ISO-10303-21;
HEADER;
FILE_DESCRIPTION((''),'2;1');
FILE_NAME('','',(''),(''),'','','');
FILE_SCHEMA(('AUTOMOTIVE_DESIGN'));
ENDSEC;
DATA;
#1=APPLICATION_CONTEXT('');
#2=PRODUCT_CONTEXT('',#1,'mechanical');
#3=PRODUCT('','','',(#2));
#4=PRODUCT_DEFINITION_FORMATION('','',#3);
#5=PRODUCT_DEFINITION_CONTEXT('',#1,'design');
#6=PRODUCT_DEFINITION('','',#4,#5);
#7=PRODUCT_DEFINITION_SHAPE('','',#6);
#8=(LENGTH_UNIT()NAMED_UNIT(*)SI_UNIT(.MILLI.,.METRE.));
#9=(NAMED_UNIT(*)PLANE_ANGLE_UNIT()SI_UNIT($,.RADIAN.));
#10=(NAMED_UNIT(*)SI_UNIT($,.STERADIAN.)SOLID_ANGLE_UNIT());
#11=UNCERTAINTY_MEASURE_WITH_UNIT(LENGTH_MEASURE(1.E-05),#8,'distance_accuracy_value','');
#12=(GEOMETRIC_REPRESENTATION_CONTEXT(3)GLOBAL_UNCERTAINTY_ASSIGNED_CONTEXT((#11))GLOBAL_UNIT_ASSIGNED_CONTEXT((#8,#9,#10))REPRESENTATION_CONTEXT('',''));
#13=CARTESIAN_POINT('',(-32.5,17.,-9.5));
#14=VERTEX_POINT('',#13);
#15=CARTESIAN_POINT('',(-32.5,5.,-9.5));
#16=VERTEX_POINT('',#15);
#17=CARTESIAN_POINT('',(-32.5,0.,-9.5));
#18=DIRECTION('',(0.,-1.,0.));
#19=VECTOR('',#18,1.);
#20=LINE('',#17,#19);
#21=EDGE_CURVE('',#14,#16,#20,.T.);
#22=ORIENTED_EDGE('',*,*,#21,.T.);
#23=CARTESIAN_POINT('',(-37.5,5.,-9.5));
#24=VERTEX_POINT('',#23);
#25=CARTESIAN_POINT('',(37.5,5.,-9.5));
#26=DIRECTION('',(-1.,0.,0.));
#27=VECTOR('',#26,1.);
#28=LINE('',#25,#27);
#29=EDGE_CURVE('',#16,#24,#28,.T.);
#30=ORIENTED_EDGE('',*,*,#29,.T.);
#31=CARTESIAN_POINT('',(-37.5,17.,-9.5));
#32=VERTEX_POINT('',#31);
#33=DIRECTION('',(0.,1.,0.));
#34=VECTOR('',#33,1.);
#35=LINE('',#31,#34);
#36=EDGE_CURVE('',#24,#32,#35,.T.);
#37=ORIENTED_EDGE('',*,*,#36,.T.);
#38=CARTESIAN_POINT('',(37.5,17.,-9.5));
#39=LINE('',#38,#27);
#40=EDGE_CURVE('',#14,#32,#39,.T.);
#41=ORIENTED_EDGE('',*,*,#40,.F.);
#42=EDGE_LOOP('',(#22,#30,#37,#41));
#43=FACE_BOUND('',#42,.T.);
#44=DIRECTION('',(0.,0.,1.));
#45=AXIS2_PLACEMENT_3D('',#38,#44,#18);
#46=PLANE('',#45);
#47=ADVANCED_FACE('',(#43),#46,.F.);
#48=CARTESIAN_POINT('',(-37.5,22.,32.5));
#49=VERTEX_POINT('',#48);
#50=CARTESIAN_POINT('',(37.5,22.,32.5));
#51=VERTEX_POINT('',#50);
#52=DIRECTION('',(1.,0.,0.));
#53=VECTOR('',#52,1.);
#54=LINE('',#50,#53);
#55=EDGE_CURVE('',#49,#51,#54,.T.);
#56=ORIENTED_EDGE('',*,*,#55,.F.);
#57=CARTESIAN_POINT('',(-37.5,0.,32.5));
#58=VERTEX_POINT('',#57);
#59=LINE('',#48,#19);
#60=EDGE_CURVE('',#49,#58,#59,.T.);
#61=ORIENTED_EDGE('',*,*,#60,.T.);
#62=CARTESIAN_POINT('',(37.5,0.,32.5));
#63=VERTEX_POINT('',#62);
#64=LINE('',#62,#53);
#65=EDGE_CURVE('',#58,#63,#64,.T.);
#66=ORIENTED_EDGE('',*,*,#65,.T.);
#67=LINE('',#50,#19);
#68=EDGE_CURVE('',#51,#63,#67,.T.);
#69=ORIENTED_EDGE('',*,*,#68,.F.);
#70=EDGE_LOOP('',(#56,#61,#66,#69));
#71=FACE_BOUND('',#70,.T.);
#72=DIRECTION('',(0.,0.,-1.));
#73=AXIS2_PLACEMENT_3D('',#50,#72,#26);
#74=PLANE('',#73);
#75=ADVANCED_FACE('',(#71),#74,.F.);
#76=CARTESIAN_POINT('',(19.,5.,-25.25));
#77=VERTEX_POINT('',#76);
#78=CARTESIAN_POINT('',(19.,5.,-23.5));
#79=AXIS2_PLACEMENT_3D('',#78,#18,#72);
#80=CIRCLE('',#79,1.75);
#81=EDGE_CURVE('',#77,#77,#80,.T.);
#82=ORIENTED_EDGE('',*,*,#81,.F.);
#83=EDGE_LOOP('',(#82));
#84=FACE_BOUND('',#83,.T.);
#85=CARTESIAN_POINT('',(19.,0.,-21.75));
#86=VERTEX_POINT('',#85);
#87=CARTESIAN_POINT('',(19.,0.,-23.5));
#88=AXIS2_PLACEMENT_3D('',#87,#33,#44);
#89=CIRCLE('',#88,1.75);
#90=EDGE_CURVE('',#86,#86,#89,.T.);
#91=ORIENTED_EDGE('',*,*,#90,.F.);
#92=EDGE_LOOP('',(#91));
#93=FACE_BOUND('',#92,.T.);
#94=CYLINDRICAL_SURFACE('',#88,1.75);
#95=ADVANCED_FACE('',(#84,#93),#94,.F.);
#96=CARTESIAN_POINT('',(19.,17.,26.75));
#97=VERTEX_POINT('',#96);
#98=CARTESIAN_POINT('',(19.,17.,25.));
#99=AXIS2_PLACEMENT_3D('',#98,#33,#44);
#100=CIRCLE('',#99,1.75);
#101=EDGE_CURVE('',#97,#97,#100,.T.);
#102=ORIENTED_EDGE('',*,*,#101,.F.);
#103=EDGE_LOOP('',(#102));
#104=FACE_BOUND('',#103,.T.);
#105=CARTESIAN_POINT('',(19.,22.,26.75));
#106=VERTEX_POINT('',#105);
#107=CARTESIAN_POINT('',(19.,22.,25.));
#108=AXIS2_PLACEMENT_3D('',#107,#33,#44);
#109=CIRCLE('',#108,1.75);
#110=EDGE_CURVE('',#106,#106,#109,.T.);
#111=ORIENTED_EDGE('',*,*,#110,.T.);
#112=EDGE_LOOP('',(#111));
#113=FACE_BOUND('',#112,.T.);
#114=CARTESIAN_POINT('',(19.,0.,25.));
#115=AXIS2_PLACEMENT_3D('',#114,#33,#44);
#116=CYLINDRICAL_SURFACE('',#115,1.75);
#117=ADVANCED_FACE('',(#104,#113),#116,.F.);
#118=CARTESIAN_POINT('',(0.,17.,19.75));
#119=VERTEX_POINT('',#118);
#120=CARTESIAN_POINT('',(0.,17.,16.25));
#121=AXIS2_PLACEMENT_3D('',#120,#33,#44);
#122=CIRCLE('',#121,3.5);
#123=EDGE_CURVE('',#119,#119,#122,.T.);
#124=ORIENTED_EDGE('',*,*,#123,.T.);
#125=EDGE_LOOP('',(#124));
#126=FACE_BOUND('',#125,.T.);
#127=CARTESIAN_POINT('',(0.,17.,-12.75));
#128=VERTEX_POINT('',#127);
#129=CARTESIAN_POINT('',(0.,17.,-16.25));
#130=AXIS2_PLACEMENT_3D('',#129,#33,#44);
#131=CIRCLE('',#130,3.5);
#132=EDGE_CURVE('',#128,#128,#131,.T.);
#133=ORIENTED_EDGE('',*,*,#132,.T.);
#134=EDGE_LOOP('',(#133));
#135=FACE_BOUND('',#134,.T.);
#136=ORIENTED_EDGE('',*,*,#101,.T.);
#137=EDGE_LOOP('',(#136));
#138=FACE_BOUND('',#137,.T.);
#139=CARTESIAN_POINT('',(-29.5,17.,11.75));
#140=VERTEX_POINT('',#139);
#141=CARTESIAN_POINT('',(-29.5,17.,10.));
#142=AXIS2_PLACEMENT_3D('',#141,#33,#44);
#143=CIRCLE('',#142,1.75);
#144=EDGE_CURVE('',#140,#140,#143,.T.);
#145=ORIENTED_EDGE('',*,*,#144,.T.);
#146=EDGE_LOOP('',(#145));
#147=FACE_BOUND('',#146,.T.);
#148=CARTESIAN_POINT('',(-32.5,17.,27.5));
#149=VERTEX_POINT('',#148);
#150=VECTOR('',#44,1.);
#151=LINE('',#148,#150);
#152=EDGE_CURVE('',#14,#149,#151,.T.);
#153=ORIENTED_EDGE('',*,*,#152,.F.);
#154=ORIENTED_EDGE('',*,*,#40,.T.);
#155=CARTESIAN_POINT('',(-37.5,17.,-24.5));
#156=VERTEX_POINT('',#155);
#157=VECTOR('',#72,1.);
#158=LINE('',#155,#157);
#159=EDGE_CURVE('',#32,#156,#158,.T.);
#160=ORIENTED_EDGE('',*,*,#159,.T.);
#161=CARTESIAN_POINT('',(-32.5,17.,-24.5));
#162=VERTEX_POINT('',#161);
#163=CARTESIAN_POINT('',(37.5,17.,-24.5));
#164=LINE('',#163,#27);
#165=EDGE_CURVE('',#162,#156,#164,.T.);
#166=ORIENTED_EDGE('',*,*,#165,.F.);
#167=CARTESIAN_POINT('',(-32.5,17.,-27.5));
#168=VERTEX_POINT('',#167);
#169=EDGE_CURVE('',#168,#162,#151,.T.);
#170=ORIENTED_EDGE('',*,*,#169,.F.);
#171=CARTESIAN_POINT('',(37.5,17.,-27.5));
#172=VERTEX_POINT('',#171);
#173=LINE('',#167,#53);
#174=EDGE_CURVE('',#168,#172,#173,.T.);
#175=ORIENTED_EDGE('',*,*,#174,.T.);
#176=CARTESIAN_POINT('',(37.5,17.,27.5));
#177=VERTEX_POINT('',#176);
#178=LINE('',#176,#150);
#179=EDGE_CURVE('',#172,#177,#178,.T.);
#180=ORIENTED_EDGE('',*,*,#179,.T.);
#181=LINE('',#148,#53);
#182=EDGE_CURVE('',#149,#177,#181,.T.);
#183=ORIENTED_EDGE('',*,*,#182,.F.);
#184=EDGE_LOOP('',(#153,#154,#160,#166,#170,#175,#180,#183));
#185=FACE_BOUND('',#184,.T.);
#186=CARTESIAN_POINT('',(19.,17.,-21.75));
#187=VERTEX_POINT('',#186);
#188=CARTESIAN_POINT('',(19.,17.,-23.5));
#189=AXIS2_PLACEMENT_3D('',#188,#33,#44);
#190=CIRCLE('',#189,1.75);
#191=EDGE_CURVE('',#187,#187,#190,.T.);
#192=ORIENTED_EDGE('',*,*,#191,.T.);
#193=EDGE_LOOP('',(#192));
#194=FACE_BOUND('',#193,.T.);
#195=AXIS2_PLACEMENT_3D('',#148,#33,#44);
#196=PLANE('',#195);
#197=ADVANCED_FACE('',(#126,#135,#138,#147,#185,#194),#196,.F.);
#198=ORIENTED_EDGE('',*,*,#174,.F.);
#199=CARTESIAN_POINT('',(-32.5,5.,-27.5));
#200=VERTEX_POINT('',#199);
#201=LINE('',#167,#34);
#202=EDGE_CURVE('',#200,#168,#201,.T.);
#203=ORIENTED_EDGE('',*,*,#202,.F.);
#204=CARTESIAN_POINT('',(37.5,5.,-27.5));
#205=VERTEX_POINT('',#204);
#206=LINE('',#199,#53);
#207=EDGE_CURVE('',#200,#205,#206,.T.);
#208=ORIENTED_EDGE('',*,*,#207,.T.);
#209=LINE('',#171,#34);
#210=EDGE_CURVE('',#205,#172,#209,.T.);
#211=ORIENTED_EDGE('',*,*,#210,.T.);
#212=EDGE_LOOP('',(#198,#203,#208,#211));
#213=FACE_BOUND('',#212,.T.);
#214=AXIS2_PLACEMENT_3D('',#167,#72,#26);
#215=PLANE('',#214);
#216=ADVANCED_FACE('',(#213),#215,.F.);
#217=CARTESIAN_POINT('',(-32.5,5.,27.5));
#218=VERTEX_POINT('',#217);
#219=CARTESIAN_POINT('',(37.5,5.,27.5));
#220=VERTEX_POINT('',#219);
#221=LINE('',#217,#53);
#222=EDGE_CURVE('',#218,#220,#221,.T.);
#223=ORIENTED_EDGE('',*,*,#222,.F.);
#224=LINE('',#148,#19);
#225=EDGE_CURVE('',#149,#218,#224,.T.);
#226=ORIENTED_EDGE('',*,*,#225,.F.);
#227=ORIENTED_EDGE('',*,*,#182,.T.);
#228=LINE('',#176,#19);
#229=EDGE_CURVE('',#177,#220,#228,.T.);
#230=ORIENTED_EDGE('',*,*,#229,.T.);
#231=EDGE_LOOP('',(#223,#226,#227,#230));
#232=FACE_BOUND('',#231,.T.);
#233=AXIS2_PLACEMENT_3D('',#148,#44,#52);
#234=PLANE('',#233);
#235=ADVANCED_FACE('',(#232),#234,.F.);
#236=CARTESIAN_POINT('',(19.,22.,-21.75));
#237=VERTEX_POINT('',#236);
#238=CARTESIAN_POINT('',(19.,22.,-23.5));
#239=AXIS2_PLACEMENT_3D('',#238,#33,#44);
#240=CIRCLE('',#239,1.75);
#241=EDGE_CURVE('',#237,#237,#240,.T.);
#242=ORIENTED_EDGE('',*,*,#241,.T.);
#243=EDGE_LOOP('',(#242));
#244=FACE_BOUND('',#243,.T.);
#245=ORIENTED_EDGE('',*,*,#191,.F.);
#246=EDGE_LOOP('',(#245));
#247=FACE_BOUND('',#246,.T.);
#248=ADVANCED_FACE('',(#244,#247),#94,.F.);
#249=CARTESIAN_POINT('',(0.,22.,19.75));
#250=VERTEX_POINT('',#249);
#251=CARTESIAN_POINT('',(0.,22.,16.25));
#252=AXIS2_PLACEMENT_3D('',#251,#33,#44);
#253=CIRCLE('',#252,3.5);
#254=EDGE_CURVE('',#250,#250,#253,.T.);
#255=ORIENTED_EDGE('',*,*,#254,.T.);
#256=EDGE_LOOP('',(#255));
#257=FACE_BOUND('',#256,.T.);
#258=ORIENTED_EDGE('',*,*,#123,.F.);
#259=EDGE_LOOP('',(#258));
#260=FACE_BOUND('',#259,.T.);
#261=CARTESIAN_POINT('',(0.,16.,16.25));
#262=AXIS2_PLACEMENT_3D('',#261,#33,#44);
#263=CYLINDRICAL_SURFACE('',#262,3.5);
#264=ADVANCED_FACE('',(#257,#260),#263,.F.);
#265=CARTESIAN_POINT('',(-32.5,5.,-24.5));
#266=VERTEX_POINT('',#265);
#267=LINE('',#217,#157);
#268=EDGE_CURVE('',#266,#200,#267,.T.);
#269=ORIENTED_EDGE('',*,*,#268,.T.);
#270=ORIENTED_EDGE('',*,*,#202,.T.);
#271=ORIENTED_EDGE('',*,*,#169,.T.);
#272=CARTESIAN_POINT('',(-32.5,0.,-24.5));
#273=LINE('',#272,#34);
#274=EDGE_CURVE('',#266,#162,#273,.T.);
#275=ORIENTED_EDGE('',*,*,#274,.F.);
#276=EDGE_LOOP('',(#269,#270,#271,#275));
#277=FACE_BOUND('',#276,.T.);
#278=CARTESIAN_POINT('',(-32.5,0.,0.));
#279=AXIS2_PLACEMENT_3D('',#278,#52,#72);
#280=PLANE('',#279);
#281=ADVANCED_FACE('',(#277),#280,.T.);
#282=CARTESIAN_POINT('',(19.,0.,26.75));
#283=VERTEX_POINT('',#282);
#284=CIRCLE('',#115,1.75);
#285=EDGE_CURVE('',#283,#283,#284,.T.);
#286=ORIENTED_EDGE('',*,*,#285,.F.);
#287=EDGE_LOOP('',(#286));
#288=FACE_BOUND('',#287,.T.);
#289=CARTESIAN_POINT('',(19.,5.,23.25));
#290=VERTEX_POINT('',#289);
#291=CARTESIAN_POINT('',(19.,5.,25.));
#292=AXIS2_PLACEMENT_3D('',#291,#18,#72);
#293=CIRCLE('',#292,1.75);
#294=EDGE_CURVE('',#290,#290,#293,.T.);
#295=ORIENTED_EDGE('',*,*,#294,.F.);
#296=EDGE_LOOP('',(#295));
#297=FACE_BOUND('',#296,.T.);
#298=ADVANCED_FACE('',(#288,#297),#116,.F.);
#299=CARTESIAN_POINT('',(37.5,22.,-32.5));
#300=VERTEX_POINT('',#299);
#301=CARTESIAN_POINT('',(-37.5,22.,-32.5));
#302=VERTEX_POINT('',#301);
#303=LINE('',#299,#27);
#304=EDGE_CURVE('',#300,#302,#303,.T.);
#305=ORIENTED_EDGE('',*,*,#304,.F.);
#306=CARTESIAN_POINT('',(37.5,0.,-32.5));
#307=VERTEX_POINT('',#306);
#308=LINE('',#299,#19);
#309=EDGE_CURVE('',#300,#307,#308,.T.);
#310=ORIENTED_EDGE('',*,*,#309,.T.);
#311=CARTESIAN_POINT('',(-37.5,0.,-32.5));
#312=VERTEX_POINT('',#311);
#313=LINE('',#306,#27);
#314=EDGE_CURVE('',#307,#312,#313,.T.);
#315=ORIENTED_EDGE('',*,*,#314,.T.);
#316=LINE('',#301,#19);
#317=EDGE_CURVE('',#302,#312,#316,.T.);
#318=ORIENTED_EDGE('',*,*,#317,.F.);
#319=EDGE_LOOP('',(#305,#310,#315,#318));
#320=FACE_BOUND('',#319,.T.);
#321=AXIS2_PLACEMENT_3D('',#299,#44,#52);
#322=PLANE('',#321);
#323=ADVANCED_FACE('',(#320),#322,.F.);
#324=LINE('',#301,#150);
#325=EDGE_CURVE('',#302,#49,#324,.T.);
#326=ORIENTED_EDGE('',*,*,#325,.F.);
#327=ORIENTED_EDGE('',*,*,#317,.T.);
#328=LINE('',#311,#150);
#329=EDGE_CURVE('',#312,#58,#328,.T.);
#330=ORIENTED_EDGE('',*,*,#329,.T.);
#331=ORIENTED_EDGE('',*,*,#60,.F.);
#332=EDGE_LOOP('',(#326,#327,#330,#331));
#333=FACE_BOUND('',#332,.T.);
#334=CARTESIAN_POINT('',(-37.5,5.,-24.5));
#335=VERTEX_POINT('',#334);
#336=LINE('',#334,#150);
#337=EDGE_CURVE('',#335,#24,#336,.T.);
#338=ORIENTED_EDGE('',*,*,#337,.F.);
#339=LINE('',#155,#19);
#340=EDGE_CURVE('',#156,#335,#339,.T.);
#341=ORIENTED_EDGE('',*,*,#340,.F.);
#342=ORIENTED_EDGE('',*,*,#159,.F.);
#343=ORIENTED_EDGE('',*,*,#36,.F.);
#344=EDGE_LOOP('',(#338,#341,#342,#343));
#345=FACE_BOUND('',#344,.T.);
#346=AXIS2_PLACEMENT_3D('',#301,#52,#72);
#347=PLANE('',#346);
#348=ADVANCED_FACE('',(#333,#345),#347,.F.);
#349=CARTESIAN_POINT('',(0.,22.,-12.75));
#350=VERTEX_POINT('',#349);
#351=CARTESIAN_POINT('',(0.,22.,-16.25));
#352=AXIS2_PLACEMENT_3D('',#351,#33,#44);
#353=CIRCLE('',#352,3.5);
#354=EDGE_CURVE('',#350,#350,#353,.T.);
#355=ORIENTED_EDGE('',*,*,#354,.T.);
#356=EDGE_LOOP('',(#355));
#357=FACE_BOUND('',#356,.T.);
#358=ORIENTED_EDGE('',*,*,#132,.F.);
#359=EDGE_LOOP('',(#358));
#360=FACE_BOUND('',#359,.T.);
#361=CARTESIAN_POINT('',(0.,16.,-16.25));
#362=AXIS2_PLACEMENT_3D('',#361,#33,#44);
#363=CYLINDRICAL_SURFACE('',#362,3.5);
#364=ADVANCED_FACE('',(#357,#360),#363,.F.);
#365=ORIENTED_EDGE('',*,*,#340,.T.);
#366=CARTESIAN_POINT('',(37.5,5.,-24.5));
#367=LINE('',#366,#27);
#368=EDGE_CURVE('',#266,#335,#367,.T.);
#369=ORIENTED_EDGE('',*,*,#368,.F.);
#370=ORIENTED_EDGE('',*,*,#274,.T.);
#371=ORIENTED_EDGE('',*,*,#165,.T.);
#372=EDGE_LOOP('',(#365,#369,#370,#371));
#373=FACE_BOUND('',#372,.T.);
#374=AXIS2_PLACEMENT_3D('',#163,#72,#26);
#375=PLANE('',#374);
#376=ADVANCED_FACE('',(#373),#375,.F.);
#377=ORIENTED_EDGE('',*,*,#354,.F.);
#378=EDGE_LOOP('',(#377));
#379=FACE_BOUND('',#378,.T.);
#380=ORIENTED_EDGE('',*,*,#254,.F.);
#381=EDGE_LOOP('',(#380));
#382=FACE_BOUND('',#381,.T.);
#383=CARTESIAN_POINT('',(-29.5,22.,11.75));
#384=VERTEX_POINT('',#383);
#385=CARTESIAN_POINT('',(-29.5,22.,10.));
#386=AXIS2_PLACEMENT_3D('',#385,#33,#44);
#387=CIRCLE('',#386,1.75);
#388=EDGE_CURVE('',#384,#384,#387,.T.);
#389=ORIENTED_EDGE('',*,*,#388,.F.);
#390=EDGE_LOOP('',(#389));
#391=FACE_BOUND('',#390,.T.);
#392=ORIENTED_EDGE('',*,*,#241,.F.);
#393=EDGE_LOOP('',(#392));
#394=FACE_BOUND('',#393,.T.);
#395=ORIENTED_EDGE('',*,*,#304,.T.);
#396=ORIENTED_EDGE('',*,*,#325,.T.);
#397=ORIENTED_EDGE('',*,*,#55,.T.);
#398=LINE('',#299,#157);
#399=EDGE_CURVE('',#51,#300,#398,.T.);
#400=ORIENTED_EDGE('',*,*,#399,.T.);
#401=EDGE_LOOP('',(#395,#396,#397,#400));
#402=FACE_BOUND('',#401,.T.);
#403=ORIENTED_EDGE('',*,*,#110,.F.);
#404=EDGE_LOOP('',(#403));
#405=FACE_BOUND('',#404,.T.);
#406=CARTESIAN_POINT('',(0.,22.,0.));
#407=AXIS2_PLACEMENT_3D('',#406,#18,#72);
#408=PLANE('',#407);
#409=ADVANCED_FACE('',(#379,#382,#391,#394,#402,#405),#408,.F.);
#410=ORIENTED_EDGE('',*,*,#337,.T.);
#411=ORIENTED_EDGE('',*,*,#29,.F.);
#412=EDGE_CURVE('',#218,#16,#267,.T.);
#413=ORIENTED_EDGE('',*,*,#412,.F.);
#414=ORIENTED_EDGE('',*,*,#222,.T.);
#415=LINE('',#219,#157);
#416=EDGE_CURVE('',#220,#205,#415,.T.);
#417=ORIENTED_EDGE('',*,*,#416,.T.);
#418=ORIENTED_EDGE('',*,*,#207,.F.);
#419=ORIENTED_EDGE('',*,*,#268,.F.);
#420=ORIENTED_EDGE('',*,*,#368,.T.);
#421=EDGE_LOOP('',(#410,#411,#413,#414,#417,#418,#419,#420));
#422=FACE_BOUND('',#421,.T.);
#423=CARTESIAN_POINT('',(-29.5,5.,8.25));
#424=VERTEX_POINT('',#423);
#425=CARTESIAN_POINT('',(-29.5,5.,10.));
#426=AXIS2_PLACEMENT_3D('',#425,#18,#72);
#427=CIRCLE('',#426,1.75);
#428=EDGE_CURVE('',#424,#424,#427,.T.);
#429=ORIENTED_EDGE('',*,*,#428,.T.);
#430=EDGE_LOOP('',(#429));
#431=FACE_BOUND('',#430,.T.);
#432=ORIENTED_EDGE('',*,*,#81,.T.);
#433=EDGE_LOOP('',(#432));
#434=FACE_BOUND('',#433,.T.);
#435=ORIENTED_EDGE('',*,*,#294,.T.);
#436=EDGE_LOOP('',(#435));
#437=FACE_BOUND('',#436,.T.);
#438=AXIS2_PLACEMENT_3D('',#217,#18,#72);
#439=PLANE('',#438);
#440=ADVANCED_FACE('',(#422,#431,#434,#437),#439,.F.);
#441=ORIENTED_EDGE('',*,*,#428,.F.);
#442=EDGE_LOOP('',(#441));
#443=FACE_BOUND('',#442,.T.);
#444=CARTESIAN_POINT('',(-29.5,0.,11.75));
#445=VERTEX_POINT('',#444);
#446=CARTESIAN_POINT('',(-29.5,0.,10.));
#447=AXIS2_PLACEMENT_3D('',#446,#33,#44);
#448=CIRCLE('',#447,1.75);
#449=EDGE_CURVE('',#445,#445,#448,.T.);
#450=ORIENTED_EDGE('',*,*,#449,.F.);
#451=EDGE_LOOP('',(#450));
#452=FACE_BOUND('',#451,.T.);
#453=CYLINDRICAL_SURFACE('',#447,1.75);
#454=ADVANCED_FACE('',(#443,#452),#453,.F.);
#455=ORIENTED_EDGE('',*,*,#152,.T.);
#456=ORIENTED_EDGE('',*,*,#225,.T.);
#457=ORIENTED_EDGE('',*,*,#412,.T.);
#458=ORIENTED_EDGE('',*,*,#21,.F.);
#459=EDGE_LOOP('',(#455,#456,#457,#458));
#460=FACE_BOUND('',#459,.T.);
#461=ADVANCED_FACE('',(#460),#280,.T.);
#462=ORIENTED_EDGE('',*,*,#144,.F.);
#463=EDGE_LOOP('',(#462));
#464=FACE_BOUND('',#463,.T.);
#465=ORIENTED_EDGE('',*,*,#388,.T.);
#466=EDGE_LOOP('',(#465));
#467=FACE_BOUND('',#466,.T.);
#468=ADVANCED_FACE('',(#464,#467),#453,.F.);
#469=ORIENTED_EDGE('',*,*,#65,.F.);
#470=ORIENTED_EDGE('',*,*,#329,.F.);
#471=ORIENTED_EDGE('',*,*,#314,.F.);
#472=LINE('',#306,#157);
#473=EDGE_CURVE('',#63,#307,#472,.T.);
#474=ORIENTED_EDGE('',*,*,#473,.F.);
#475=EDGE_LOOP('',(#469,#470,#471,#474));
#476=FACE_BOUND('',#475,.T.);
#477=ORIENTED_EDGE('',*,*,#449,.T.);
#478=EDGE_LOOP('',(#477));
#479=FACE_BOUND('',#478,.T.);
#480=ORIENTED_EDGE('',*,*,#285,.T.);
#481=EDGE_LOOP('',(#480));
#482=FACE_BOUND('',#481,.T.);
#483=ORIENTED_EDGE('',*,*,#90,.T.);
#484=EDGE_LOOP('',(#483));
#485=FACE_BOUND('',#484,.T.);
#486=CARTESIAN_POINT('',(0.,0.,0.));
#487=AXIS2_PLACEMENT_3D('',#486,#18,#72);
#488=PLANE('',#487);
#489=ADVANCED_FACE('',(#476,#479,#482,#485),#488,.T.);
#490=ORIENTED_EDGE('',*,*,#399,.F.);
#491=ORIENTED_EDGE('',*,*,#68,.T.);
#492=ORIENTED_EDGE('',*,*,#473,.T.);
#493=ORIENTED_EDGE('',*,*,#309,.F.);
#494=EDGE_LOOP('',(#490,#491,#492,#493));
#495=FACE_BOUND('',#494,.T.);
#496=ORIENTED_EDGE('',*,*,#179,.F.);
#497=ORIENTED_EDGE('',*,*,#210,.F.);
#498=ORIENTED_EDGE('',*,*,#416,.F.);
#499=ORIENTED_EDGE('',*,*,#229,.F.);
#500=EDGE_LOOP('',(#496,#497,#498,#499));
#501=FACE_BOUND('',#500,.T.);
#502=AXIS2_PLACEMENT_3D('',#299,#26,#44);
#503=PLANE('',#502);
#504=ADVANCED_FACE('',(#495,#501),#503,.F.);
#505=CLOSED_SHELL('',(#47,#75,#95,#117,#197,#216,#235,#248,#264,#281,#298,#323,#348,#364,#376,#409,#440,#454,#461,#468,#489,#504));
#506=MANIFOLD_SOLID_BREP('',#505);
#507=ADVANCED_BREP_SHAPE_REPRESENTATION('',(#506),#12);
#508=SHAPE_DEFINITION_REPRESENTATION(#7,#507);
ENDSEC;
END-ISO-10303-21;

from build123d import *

# Parameters (mm, degrees)
SKETCH1_W           = 75
SKETCH1_H           = 65
BOSS_EXTRUDE1_DEPTH = 22
SKETCH2_W           = 55
SKETCH2_H           = 12
CUT_EXTRUDE1_DEPTH  = 70
SKETCH3_W           = 15
SKETCH3_H           = 12
CUT_EXTRUDE2_DEPTH  = 85.647799735
SKETCH4_R           = 1.75
CUT_EXTRUDE3_DEPTH  = 55.281672782
SKETCH7_R           = 1.75
CUT_EXTRUDE5_DEPTH  = 55.281672782
SKETCH8_R           = 1.75
CUT_EXTRUDE6_DEPTH  = 55.281672782
SKETCH9_R           = 3.5
CUT_EXTRUDE7_DEPTH  = 6
SKETCH10_R          = 3.5
CUT_EXTRUDE8_DEPTH  = 6


with BuildPart() as part:
    # Sketch1 → Boss-Extrude1 (new body)
    with BuildSketch(Plane(origin=(0, 0, 0), x_dir=(1, 0, 0), z_dir=(0, 1, 0))):
        Rectangle(SKETCH1_W, SKETCH1_H)
    extrude(amount=BOSS_EXTRUDE1_DEPTH)

    # Sketch2 → Cut-Extrude1 (cut)
    with BuildSketch(Plane(origin=(37.5, 0, 0), x_dir=(0, 0, -1), z_dir=(1, 0, 0))):
        with Locations((0, 11)):
            Rectangle(SKETCH2_W, SKETCH2_H)
    extrude(amount=-CUT_EXTRUDE1_DEPTH, mode=Mode.SUBTRACT)

    # Sketch3 → Cut-Extrude2 (cut, through all)
    with BuildSketch(Plane.ZY.offset(37.5)):
        with Locations((-17, 11)):
            Rectangle(SKETCH3_W, SKETCH3_H)
    extrude(amount=-CUT_EXTRUDE2_DEPTH, mode=Mode.SUBTRACT)

    # Sketch4 → Cut-Extrude3 (cut, through all)
    with BuildSketch(Plane(origin=(0, 22, 0), x_dir=(1, 0, 0), z_dir=(0, 1, 0))):
        with Locations(Location((19, -25, 0), (0, 0, 270))):
            Circle(SKETCH4_R)
    extrude(amount=-CUT_EXTRUDE3_DEPTH, mode=Mode.SUBTRACT)

    # Sketch7 → Cut-Extrude5 (cut, through all)
    with BuildSketch(Plane(origin=(0, 22, 0), x_dir=(1, 0, 0), z_dir=(0, 1, 0))):
        with Locations(Location((19, 23.5, 0), (0, 0, 270))):
            Circle(SKETCH7_R)
    extrude(amount=-CUT_EXTRUDE5_DEPTH, mode=Mode.SUBTRACT)

    # Sketch8 → Cut-Extrude6 (cut, through all)
    with BuildSketch(Plane(origin=(0, 22, 0), x_dir=(1, 0, 0), z_dir=(0, 1, 0))):
        with Locations(Location((-29.5, -10, 0), (0, 0, 270))):
            Circle(SKETCH8_R)
    extrude(amount=-CUT_EXTRUDE6_DEPTH, mode=Mode.SUBTRACT)

    # Sketch9 → Cut-Extrude7 (cut)
    with BuildSketch(Plane(origin=(0, 22, 0), x_dir=(1, 0, 0), z_dir=(0, 1, 0))):
        with Locations(Location((0, -16.25, 0), (0, 0, 270))):
            Circle(SKETCH9_R)
    extrude(amount=-CUT_EXTRUDE7_DEPTH, mode=Mode.SUBTRACT)

    # Sketch10 → Cut-Extrude8 (cut)
    with BuildSketch(Plane(origin=(0, 22, 0), x_dir=(1, 0, 0), z_dir=(0, 1, 0))):
        with Locations(Location((0, 16.25, 0), (0, 0, 270))):
            Circle(SKETCH10_R)
    extrude(amount=-CUT_EXTRUDE8_DEPTH, mode=Mode.SUBTRACT)


solid = part.part
